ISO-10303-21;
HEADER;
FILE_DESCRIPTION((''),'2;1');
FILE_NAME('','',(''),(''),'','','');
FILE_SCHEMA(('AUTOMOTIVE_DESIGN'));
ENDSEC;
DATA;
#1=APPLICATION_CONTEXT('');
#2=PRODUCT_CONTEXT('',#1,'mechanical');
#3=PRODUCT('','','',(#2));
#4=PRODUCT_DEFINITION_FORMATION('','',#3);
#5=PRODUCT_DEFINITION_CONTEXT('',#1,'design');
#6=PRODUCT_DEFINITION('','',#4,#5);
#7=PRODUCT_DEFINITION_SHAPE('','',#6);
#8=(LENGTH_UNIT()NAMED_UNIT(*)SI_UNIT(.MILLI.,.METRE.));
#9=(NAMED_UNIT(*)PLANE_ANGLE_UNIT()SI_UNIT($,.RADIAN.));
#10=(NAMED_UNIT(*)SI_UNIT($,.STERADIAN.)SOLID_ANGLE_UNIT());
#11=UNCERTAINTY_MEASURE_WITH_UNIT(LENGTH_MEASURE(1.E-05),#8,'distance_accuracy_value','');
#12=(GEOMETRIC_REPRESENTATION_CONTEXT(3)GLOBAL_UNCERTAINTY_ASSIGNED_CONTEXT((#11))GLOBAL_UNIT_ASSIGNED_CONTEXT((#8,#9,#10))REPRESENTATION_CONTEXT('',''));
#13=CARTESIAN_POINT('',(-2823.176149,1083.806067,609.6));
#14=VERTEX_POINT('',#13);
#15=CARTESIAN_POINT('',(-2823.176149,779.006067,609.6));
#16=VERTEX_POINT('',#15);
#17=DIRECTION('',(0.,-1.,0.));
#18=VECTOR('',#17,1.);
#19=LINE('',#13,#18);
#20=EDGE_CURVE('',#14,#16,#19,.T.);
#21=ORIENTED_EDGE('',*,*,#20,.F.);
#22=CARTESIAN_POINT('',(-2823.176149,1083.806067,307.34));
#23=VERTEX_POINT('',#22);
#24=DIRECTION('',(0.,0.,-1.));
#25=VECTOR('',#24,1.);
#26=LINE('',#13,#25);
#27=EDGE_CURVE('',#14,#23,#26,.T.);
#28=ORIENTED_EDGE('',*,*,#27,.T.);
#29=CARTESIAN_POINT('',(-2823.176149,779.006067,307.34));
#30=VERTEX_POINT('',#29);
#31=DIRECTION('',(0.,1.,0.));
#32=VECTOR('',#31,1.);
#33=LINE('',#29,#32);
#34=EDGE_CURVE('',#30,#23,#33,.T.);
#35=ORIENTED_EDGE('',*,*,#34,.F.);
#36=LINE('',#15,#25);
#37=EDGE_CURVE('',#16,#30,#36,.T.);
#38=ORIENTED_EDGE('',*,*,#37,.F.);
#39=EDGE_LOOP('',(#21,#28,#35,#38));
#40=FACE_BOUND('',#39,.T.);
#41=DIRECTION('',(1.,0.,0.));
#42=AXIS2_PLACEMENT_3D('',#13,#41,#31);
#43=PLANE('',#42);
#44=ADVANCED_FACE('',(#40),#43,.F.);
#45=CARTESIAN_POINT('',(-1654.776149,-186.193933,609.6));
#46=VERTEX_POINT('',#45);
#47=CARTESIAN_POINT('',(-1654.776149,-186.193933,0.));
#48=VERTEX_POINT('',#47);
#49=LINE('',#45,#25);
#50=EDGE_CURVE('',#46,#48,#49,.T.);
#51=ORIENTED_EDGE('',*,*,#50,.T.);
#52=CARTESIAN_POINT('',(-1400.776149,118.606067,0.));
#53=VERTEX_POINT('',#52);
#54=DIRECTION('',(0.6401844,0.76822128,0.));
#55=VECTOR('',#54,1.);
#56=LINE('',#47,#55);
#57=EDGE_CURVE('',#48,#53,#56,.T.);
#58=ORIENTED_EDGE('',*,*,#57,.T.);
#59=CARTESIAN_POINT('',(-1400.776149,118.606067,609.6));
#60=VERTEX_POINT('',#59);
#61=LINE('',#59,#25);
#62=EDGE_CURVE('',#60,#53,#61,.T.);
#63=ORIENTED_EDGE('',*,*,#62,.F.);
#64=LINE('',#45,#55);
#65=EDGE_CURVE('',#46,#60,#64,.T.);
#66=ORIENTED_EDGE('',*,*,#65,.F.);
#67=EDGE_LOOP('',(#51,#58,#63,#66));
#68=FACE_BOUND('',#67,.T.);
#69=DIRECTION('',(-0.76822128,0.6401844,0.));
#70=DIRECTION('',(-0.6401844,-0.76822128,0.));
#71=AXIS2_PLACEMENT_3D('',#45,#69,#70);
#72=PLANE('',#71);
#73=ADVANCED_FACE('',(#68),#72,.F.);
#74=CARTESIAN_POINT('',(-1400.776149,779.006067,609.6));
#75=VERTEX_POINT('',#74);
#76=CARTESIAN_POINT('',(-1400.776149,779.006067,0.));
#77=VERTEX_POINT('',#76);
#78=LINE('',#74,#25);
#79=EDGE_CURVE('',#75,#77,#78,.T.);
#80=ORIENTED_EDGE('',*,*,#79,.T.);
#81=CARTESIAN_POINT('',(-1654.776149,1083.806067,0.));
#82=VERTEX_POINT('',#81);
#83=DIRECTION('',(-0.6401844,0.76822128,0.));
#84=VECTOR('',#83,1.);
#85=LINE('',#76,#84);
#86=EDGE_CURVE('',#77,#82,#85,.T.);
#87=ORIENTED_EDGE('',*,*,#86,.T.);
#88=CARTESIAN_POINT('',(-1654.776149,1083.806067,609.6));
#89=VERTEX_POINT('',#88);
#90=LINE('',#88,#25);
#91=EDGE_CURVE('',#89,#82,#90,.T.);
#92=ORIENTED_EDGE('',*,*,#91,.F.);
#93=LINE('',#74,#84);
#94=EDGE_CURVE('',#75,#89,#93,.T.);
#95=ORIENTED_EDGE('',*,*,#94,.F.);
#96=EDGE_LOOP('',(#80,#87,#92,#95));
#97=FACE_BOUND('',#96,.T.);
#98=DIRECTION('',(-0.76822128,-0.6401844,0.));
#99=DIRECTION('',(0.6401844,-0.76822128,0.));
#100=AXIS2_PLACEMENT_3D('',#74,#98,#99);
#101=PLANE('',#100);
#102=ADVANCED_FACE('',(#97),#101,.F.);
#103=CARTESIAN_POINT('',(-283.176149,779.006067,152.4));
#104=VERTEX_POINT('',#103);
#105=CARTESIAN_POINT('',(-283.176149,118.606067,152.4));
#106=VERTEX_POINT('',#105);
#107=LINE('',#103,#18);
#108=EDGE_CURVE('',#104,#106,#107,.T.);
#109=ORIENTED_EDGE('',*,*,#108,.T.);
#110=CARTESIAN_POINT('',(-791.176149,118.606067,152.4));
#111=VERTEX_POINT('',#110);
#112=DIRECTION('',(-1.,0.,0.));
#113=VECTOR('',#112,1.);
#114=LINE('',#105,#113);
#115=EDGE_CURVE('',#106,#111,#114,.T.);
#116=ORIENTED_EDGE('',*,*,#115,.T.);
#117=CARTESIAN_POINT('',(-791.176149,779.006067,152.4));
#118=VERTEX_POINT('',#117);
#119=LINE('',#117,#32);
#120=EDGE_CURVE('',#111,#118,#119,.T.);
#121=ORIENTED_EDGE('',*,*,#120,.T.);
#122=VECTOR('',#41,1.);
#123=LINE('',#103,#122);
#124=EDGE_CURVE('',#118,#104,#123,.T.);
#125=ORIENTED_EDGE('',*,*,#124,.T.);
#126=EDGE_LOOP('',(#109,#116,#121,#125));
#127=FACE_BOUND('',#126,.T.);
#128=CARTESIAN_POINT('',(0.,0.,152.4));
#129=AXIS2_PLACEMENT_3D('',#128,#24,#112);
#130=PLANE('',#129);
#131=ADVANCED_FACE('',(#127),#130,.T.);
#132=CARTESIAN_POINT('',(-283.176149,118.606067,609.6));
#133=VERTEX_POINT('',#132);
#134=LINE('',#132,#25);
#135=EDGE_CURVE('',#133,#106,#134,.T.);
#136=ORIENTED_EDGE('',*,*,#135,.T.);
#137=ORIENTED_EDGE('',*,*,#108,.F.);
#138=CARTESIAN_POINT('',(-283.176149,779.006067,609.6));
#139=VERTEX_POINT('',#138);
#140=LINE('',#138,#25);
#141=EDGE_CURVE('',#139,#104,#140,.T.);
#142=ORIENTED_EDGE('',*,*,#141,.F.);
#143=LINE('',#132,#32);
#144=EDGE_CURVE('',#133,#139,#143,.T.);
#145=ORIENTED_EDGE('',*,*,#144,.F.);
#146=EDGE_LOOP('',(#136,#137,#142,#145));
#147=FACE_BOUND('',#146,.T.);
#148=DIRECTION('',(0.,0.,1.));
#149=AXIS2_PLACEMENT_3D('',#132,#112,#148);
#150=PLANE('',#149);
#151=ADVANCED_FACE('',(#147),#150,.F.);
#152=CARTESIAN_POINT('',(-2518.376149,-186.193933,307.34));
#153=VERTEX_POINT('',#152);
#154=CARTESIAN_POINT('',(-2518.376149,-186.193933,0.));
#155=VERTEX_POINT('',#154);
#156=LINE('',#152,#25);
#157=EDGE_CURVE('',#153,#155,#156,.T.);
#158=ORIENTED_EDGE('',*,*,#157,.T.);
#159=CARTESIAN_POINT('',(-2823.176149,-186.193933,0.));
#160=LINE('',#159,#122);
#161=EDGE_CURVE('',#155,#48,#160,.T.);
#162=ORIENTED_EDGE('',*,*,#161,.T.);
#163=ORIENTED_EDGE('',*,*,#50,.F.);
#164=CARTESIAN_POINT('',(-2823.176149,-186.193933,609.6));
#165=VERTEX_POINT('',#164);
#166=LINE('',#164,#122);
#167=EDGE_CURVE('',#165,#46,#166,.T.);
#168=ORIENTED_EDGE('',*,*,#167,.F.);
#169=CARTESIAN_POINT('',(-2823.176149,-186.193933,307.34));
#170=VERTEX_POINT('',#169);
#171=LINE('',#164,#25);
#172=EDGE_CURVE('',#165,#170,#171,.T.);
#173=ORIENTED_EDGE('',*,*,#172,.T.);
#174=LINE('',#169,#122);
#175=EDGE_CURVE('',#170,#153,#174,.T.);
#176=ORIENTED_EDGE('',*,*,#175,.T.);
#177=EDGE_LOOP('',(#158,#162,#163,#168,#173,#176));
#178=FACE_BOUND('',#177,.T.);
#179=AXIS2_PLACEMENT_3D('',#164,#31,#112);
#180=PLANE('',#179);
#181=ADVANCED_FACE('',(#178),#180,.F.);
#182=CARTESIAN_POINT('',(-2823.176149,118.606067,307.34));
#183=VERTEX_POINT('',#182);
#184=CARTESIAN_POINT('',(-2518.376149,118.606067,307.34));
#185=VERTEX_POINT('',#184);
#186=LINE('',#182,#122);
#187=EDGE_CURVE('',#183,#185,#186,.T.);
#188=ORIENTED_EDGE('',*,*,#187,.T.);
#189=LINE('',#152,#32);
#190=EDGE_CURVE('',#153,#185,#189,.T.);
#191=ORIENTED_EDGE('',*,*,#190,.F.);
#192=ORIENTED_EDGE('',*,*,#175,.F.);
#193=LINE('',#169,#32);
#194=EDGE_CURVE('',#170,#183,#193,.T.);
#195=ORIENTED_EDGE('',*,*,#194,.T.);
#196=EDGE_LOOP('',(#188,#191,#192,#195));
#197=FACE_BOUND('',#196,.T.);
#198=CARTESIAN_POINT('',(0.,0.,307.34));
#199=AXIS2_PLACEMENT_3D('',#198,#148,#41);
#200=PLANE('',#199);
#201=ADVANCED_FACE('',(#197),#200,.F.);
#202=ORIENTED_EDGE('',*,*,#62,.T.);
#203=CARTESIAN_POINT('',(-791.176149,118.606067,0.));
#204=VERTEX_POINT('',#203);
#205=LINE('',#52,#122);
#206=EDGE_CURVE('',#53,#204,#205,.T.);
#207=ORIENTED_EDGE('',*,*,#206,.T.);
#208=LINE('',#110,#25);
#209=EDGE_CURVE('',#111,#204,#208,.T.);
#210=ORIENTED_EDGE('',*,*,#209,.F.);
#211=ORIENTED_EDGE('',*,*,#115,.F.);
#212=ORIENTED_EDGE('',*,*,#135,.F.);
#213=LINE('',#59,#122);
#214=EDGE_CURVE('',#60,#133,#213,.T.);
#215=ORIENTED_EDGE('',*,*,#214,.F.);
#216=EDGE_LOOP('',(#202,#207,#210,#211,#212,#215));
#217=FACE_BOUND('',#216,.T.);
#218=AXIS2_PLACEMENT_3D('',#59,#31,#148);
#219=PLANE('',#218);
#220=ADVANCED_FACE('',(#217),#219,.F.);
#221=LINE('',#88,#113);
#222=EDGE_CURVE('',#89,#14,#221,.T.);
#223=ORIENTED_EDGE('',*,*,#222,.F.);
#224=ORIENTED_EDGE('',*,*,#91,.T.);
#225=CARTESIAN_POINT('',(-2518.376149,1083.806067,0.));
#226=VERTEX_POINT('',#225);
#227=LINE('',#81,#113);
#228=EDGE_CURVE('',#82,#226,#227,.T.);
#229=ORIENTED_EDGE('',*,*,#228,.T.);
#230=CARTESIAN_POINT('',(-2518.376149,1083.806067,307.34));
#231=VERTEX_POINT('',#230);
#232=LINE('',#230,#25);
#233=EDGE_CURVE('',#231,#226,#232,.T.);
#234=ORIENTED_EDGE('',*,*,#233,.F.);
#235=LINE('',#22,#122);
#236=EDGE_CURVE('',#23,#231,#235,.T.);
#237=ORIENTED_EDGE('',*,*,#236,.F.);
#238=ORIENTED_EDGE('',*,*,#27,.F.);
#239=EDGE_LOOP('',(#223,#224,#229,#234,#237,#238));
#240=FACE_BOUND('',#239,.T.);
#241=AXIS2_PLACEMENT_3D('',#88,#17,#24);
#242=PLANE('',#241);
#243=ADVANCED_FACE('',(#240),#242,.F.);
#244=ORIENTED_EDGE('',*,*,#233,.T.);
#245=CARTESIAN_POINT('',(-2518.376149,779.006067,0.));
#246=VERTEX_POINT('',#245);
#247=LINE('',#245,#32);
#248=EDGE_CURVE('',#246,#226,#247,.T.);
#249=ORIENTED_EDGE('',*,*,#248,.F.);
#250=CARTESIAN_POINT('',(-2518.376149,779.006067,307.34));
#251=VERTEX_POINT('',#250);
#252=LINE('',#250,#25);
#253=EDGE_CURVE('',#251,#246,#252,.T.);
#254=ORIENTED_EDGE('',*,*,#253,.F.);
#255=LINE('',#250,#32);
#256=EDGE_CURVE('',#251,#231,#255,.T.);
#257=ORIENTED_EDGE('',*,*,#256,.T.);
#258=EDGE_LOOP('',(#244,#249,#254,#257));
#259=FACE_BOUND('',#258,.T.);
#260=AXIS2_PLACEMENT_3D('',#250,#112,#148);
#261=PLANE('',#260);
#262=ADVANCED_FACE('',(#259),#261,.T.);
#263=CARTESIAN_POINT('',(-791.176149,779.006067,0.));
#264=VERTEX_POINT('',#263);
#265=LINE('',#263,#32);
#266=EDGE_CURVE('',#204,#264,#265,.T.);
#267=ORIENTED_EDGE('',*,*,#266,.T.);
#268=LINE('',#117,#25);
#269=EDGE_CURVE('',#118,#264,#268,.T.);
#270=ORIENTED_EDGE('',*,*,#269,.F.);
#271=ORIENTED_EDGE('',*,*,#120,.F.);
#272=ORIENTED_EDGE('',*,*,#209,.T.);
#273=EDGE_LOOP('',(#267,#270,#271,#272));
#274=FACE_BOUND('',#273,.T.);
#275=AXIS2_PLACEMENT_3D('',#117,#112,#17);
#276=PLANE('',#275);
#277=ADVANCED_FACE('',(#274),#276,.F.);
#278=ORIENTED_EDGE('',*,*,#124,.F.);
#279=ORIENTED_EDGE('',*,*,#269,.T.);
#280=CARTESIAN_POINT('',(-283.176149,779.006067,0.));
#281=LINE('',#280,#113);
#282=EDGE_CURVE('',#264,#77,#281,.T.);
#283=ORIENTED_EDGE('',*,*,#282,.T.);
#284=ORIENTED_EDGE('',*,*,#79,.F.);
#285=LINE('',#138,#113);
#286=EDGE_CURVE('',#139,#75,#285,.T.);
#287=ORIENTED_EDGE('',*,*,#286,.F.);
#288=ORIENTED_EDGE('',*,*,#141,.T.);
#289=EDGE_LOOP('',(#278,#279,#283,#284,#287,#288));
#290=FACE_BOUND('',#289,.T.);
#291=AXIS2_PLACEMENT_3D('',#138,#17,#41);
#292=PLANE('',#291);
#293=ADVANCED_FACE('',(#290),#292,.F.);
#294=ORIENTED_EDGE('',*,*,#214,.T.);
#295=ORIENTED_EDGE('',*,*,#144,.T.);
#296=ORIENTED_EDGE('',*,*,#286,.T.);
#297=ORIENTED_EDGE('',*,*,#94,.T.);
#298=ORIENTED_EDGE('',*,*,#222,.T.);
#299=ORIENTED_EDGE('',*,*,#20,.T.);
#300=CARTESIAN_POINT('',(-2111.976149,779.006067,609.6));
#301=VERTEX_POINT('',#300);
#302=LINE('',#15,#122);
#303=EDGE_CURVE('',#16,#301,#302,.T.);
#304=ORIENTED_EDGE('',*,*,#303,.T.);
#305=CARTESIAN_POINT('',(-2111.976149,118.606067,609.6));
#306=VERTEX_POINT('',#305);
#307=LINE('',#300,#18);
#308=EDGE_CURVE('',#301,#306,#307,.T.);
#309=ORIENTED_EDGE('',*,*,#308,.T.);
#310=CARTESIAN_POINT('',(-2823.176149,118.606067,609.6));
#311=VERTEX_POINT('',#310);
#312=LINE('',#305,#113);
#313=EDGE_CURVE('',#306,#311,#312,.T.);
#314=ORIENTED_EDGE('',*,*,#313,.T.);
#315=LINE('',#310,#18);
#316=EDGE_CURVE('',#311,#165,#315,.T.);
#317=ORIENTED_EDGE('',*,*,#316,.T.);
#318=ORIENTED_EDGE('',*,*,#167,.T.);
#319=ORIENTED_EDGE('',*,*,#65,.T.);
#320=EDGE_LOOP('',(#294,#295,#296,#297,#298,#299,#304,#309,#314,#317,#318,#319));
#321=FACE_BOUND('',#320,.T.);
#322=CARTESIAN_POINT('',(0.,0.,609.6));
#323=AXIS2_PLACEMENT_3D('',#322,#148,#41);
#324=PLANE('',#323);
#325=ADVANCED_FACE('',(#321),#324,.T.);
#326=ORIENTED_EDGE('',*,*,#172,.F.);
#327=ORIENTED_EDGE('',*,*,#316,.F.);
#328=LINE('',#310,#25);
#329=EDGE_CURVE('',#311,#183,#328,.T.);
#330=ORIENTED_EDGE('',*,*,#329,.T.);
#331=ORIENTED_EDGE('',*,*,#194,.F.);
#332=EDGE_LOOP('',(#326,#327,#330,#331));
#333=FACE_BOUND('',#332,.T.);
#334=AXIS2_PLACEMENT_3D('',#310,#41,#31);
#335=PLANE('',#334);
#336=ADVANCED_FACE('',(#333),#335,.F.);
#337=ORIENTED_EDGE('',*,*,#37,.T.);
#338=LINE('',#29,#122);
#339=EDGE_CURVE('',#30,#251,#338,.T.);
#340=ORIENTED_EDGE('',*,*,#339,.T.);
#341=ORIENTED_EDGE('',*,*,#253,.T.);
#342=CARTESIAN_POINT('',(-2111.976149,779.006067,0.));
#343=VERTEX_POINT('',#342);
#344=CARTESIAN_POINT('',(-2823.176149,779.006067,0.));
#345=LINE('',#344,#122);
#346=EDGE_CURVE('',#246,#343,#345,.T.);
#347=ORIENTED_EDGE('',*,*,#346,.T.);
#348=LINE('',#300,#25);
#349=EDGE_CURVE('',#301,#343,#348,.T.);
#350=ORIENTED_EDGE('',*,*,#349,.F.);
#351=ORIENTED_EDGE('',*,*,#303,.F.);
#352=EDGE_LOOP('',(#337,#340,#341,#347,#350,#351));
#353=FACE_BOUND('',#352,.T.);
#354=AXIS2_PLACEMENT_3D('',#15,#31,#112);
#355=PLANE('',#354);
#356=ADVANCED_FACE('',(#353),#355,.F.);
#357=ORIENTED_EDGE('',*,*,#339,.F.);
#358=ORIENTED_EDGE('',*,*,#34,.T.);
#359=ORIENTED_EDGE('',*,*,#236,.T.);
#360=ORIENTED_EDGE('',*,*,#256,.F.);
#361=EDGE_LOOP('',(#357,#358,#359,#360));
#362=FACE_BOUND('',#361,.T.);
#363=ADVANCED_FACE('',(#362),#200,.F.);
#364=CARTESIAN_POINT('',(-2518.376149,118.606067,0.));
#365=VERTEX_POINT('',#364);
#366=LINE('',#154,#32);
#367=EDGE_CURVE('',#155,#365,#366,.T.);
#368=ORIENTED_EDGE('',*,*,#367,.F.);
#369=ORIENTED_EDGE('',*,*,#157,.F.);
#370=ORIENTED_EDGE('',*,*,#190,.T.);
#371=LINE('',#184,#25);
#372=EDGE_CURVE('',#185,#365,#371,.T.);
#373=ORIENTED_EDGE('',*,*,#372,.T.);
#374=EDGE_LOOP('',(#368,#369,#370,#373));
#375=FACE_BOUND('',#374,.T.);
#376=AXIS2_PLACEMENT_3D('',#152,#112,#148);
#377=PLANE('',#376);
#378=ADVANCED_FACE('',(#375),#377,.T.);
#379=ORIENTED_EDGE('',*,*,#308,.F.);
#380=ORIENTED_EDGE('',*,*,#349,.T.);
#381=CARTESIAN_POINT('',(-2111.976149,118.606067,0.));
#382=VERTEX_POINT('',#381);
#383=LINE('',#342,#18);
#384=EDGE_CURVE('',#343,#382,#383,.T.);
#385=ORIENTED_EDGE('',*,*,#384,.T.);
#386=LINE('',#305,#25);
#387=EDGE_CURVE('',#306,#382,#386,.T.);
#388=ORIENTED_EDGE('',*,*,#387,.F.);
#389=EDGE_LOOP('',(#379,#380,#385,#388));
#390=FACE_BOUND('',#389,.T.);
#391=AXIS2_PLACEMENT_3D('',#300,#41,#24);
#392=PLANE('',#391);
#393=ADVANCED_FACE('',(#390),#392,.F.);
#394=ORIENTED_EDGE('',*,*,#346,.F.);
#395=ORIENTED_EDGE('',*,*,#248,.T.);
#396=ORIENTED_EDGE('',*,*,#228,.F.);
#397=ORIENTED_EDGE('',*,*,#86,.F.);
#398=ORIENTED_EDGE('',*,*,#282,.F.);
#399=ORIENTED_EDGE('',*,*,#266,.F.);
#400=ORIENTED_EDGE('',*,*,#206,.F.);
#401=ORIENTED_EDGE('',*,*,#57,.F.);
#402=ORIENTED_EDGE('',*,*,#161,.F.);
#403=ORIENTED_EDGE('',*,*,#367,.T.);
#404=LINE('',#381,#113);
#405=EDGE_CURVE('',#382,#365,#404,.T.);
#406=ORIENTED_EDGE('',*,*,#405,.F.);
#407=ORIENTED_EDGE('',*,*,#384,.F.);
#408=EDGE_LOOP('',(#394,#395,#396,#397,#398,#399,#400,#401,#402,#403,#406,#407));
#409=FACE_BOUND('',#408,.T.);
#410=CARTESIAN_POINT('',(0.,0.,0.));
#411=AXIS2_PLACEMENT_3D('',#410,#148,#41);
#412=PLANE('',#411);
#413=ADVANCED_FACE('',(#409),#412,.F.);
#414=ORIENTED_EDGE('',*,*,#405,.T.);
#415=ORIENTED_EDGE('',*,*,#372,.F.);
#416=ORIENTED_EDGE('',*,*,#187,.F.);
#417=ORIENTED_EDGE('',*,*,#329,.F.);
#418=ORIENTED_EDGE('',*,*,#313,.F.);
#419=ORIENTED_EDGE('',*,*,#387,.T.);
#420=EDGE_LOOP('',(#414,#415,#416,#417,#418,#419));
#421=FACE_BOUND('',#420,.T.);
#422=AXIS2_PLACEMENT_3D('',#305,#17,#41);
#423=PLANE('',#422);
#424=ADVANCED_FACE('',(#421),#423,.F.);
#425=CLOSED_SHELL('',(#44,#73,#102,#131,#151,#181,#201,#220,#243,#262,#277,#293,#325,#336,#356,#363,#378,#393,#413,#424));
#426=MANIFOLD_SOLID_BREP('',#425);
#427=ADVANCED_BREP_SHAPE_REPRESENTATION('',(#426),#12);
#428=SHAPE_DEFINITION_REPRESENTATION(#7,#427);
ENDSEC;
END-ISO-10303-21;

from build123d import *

# Parameters (mm, degrees)
Y_KSEKLIK_EKSTR_ZYON3_DEPTH = 609.6
IZIM2_W                     = 508
IZIM2_H                     = 660.4
KES_EKSTR_ZYON1_DEPTH       = 152.4
IZIM3_W                     = 304.8
IZIM3_H                     = 304.8
KES_EKSTR_ZYON2_DEPTH       = 307.34


with BuildPart() as part:
    # Çizim1 → Yükseklik-Ekstrüzyon3 (new body)
    with BuildSketch(Plane.XY):
        Polygon((-283.176149051, 779.0060667), (-1400.776149051, 779.0060667), (-1654.776149051, 1083.8060667), (-2823.176149051, 1083.8060667), (-2823.176149051, 779.0060667), (-2111.976149051, 779.0060667), (-2111.976149051, 118.6060667), (-2823.176149051, 118.6060667), (-2823.176149051, -186.1939333), (-1654.776149051, -186.1939333), (-1400.776149051, 118.6060667), (-283.176149051, 118.6060667), align=None)
    extrude(amount=Y_KSEKLIK_EKSTR_ZYON3_DEPTH)

    # Çizim2 → Kes-Ekstrüzyon1 (cut)
    with BuildSketch(Plane(origin=(0, 0, 0), x_dir=(-1, 0, 0), z_dir=(0, 0, -1))):
        with Locations((537.176149051, 448.8060667)):
            Rectangle(IZIM2_W, IZIM2_H)
    extrude(amount=-KES_EKSTR_ZYON1_DEPTH, mode=Mode.SUBTRACT)

    # Çizim3 → Kes-Ekstrüzyon2 (cut)
    with BuildSketch(Plane(origin=(0, 0, 0), x_dir=(-1, 0, 0), z_dir=(0, 0, -1))):
        with Locations((2670.776149051, -33.7939333)):
            Rectangle(IZIM3_W, IZIM3_H)
        with Locations((2670.776149051, 931.4060667)):
            Rectangle(IZIM3_W, IZIM3_H)
    extrude(amount=-KES_EKSTR_ZYON2_DEPTH, mode=Mode.SUBTRACT)


solid = part.part
